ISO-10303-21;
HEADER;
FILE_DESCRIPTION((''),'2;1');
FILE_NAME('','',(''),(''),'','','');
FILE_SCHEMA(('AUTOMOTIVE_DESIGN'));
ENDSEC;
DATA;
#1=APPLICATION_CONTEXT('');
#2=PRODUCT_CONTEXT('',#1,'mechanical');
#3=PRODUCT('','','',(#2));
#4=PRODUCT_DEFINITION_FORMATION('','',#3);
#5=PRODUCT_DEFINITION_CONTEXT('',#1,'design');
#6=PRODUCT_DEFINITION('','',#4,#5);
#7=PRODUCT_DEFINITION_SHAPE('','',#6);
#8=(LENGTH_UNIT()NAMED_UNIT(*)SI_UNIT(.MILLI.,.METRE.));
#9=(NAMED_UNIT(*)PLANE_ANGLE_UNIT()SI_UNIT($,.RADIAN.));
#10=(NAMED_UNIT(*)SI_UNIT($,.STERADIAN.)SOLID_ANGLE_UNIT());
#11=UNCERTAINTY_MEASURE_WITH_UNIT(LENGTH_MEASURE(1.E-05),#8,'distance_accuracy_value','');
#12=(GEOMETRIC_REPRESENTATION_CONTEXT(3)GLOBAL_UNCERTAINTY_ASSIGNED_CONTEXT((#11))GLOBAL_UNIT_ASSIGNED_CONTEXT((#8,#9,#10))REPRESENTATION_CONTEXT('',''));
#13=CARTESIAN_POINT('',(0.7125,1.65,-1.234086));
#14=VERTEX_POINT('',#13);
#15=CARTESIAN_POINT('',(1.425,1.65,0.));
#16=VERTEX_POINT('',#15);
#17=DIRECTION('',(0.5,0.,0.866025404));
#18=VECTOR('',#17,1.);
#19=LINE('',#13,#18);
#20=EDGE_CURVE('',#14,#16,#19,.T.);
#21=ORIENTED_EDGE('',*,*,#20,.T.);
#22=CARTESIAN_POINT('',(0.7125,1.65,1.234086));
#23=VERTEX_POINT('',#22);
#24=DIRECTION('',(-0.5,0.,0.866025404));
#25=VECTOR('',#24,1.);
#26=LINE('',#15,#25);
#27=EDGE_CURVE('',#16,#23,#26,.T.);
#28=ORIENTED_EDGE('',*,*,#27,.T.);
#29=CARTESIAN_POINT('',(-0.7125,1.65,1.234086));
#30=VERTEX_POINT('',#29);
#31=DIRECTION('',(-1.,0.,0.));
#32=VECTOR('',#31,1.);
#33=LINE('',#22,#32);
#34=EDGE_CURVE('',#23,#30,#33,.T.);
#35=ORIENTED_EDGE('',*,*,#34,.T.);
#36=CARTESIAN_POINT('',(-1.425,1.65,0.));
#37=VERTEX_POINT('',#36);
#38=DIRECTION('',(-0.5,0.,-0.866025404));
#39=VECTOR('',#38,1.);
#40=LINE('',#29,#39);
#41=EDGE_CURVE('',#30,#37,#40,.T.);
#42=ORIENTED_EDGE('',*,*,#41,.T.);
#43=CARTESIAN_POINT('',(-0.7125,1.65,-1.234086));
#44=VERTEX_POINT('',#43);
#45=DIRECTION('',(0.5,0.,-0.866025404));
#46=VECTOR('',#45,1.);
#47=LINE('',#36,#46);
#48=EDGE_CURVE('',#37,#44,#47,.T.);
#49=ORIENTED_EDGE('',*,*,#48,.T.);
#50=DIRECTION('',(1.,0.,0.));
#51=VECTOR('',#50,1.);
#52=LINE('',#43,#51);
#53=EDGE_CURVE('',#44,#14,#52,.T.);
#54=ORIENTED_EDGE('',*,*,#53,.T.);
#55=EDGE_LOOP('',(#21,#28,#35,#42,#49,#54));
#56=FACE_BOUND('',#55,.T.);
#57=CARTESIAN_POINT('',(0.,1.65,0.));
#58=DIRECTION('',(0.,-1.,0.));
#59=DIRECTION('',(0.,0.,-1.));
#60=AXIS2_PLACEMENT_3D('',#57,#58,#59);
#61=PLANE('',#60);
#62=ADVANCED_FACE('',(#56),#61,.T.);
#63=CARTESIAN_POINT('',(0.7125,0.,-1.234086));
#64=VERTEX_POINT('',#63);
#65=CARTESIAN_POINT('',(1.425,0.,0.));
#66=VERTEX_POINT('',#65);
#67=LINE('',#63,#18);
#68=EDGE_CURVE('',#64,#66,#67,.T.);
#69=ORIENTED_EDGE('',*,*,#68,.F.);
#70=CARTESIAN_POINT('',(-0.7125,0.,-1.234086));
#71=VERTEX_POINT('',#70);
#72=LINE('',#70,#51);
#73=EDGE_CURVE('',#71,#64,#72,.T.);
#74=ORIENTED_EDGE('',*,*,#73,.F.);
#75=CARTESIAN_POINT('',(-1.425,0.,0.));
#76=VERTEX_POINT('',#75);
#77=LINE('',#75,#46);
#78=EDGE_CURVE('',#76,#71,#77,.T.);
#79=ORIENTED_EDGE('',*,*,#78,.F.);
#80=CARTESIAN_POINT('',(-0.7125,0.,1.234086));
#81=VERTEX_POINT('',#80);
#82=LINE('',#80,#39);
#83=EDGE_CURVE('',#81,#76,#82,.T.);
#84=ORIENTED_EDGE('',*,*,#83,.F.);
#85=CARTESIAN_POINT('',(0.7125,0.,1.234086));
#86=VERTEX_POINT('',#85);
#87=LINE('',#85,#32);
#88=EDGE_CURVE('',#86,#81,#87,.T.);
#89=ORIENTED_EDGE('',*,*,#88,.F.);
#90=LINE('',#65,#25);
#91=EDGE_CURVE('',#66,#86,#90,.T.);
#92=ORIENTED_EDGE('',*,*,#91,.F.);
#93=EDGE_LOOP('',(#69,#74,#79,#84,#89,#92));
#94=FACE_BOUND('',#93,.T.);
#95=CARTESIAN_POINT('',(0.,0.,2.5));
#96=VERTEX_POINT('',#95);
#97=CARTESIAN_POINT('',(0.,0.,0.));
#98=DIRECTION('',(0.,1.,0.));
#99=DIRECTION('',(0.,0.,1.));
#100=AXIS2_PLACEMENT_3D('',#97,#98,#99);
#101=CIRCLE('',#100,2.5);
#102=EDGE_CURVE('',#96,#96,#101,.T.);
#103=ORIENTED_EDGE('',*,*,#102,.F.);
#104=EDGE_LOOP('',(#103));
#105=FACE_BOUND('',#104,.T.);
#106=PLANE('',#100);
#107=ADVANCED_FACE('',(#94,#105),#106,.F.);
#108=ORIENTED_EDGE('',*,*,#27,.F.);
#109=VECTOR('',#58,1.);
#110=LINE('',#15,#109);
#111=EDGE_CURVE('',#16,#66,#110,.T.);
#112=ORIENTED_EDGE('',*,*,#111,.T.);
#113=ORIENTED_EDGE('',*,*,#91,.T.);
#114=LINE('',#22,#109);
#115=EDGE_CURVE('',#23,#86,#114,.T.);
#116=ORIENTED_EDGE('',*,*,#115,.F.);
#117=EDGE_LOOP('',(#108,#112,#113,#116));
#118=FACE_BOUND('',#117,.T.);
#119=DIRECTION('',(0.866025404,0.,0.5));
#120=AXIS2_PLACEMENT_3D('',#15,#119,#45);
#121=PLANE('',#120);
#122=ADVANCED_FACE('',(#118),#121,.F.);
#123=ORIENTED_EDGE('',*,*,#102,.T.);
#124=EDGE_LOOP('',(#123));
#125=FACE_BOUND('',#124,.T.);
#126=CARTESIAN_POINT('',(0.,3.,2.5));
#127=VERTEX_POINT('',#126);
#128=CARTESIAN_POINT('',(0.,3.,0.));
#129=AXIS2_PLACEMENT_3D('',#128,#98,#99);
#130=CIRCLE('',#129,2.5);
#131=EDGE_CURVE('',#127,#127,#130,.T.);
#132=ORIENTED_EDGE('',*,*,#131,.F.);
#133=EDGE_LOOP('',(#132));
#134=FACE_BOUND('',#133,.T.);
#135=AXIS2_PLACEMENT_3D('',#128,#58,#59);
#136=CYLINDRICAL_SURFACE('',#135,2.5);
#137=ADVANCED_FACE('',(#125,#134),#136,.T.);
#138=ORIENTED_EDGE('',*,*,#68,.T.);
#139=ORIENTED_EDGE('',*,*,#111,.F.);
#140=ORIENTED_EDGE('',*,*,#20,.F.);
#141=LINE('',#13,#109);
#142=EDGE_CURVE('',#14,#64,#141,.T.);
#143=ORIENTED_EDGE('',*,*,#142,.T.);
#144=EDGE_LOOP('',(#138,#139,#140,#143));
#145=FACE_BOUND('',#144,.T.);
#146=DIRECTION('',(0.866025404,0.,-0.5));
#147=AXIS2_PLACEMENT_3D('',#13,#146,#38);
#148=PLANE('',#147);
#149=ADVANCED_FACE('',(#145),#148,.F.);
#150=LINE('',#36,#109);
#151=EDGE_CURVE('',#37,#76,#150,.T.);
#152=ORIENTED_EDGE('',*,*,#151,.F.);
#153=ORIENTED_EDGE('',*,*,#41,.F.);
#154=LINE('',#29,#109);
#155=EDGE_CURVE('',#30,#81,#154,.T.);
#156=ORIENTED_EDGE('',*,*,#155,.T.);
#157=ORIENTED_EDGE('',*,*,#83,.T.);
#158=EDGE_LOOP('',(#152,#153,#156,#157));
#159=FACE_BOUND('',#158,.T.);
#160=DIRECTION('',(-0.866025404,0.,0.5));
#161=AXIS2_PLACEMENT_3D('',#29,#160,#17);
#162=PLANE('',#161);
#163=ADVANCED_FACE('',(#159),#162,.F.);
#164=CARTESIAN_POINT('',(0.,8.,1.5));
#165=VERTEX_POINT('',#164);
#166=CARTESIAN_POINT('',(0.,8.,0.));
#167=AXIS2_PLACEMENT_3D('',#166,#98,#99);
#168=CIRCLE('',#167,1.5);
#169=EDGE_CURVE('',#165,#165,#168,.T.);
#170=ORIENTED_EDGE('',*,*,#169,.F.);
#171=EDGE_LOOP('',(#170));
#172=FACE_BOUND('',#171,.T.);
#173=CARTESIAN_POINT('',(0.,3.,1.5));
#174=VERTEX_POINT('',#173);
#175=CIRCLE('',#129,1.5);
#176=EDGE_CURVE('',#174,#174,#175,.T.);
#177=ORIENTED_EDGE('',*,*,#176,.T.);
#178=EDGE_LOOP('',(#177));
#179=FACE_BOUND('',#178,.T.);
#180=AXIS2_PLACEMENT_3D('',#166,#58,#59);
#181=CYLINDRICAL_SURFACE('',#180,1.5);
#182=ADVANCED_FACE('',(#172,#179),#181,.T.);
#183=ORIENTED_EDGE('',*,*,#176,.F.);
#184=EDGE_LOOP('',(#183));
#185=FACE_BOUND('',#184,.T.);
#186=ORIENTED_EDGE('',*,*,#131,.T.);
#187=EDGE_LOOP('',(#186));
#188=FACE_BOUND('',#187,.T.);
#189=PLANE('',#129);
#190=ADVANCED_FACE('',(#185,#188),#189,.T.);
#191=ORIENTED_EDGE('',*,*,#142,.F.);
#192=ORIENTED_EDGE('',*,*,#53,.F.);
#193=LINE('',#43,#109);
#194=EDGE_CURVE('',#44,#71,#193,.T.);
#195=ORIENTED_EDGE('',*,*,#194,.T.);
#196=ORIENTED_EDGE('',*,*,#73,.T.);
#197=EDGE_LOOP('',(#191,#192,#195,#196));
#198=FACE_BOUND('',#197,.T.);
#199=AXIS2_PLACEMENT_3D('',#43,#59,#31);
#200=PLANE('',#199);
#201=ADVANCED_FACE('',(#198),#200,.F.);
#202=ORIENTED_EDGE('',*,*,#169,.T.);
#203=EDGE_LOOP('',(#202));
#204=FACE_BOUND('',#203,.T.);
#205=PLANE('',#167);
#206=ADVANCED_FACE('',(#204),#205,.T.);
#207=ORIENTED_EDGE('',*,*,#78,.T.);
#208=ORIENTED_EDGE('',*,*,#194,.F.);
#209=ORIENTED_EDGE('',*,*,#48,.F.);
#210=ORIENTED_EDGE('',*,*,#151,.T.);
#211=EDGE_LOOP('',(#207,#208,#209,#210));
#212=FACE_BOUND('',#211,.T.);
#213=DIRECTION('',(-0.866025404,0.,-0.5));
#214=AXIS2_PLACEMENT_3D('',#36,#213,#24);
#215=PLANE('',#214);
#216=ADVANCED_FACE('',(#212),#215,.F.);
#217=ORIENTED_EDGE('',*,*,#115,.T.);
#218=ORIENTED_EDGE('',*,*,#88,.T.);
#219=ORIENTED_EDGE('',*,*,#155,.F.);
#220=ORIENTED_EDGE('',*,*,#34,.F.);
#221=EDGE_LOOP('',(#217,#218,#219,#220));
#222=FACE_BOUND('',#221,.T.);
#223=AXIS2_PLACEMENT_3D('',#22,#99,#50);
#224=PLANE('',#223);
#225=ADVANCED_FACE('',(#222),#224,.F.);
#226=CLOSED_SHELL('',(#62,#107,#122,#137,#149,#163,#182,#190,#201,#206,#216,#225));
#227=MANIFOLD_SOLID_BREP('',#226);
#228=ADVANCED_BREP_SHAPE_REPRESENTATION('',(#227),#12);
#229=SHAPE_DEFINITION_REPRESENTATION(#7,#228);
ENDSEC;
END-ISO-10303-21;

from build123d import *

# Parameters (mm, degrees)
SKETCH_1_R          = 2.5
EXTRUDE_1_DEPTH     = 3
SKETCH_2_R          = 1.5
EXTRUDE_2_DEPTH     = 5
CUT_EXTRUDE_1_DEPTH = 1.65


with BuildPart() as part:
    # 草图1 → 凸台-拉伸1 (new body)
    with BuildSketch(Plane(origin=(0, 0, 0), x_dir=(1, 0, 0), z_dir=(0, 1, 0))):
        Circle(SKETCH_1_R)
    extrude(amount=EXTRUDE_1_DEPTH)

    # 草图2 → 凸台-拉伸2 (add)
    with BuildSketch(Plane(origin=(0, 3, 0), x_dir=(1, 0, 0), z_dir=(0, 1, 0))):
        Circle(SKETCH_2_R)
    extrude(amount=EXTRUDE_2_DEPTH)

    # 草图3 → 切除-拉伸1 (cut)
    with BuildSketch(Plane.XZ):
        Polygon((1.425, 0), (0.7125, 1.2340862), (-0.7125, 1.2340862), (-1.425, 0), (-0.7125, -1.2340862), (0.7125, -1.2340862), align=None)
    extrude(amount=-CUT_EXTRUDE_1_DEPTH, mode=Mode.SUBTRACT)


solid = part.part
